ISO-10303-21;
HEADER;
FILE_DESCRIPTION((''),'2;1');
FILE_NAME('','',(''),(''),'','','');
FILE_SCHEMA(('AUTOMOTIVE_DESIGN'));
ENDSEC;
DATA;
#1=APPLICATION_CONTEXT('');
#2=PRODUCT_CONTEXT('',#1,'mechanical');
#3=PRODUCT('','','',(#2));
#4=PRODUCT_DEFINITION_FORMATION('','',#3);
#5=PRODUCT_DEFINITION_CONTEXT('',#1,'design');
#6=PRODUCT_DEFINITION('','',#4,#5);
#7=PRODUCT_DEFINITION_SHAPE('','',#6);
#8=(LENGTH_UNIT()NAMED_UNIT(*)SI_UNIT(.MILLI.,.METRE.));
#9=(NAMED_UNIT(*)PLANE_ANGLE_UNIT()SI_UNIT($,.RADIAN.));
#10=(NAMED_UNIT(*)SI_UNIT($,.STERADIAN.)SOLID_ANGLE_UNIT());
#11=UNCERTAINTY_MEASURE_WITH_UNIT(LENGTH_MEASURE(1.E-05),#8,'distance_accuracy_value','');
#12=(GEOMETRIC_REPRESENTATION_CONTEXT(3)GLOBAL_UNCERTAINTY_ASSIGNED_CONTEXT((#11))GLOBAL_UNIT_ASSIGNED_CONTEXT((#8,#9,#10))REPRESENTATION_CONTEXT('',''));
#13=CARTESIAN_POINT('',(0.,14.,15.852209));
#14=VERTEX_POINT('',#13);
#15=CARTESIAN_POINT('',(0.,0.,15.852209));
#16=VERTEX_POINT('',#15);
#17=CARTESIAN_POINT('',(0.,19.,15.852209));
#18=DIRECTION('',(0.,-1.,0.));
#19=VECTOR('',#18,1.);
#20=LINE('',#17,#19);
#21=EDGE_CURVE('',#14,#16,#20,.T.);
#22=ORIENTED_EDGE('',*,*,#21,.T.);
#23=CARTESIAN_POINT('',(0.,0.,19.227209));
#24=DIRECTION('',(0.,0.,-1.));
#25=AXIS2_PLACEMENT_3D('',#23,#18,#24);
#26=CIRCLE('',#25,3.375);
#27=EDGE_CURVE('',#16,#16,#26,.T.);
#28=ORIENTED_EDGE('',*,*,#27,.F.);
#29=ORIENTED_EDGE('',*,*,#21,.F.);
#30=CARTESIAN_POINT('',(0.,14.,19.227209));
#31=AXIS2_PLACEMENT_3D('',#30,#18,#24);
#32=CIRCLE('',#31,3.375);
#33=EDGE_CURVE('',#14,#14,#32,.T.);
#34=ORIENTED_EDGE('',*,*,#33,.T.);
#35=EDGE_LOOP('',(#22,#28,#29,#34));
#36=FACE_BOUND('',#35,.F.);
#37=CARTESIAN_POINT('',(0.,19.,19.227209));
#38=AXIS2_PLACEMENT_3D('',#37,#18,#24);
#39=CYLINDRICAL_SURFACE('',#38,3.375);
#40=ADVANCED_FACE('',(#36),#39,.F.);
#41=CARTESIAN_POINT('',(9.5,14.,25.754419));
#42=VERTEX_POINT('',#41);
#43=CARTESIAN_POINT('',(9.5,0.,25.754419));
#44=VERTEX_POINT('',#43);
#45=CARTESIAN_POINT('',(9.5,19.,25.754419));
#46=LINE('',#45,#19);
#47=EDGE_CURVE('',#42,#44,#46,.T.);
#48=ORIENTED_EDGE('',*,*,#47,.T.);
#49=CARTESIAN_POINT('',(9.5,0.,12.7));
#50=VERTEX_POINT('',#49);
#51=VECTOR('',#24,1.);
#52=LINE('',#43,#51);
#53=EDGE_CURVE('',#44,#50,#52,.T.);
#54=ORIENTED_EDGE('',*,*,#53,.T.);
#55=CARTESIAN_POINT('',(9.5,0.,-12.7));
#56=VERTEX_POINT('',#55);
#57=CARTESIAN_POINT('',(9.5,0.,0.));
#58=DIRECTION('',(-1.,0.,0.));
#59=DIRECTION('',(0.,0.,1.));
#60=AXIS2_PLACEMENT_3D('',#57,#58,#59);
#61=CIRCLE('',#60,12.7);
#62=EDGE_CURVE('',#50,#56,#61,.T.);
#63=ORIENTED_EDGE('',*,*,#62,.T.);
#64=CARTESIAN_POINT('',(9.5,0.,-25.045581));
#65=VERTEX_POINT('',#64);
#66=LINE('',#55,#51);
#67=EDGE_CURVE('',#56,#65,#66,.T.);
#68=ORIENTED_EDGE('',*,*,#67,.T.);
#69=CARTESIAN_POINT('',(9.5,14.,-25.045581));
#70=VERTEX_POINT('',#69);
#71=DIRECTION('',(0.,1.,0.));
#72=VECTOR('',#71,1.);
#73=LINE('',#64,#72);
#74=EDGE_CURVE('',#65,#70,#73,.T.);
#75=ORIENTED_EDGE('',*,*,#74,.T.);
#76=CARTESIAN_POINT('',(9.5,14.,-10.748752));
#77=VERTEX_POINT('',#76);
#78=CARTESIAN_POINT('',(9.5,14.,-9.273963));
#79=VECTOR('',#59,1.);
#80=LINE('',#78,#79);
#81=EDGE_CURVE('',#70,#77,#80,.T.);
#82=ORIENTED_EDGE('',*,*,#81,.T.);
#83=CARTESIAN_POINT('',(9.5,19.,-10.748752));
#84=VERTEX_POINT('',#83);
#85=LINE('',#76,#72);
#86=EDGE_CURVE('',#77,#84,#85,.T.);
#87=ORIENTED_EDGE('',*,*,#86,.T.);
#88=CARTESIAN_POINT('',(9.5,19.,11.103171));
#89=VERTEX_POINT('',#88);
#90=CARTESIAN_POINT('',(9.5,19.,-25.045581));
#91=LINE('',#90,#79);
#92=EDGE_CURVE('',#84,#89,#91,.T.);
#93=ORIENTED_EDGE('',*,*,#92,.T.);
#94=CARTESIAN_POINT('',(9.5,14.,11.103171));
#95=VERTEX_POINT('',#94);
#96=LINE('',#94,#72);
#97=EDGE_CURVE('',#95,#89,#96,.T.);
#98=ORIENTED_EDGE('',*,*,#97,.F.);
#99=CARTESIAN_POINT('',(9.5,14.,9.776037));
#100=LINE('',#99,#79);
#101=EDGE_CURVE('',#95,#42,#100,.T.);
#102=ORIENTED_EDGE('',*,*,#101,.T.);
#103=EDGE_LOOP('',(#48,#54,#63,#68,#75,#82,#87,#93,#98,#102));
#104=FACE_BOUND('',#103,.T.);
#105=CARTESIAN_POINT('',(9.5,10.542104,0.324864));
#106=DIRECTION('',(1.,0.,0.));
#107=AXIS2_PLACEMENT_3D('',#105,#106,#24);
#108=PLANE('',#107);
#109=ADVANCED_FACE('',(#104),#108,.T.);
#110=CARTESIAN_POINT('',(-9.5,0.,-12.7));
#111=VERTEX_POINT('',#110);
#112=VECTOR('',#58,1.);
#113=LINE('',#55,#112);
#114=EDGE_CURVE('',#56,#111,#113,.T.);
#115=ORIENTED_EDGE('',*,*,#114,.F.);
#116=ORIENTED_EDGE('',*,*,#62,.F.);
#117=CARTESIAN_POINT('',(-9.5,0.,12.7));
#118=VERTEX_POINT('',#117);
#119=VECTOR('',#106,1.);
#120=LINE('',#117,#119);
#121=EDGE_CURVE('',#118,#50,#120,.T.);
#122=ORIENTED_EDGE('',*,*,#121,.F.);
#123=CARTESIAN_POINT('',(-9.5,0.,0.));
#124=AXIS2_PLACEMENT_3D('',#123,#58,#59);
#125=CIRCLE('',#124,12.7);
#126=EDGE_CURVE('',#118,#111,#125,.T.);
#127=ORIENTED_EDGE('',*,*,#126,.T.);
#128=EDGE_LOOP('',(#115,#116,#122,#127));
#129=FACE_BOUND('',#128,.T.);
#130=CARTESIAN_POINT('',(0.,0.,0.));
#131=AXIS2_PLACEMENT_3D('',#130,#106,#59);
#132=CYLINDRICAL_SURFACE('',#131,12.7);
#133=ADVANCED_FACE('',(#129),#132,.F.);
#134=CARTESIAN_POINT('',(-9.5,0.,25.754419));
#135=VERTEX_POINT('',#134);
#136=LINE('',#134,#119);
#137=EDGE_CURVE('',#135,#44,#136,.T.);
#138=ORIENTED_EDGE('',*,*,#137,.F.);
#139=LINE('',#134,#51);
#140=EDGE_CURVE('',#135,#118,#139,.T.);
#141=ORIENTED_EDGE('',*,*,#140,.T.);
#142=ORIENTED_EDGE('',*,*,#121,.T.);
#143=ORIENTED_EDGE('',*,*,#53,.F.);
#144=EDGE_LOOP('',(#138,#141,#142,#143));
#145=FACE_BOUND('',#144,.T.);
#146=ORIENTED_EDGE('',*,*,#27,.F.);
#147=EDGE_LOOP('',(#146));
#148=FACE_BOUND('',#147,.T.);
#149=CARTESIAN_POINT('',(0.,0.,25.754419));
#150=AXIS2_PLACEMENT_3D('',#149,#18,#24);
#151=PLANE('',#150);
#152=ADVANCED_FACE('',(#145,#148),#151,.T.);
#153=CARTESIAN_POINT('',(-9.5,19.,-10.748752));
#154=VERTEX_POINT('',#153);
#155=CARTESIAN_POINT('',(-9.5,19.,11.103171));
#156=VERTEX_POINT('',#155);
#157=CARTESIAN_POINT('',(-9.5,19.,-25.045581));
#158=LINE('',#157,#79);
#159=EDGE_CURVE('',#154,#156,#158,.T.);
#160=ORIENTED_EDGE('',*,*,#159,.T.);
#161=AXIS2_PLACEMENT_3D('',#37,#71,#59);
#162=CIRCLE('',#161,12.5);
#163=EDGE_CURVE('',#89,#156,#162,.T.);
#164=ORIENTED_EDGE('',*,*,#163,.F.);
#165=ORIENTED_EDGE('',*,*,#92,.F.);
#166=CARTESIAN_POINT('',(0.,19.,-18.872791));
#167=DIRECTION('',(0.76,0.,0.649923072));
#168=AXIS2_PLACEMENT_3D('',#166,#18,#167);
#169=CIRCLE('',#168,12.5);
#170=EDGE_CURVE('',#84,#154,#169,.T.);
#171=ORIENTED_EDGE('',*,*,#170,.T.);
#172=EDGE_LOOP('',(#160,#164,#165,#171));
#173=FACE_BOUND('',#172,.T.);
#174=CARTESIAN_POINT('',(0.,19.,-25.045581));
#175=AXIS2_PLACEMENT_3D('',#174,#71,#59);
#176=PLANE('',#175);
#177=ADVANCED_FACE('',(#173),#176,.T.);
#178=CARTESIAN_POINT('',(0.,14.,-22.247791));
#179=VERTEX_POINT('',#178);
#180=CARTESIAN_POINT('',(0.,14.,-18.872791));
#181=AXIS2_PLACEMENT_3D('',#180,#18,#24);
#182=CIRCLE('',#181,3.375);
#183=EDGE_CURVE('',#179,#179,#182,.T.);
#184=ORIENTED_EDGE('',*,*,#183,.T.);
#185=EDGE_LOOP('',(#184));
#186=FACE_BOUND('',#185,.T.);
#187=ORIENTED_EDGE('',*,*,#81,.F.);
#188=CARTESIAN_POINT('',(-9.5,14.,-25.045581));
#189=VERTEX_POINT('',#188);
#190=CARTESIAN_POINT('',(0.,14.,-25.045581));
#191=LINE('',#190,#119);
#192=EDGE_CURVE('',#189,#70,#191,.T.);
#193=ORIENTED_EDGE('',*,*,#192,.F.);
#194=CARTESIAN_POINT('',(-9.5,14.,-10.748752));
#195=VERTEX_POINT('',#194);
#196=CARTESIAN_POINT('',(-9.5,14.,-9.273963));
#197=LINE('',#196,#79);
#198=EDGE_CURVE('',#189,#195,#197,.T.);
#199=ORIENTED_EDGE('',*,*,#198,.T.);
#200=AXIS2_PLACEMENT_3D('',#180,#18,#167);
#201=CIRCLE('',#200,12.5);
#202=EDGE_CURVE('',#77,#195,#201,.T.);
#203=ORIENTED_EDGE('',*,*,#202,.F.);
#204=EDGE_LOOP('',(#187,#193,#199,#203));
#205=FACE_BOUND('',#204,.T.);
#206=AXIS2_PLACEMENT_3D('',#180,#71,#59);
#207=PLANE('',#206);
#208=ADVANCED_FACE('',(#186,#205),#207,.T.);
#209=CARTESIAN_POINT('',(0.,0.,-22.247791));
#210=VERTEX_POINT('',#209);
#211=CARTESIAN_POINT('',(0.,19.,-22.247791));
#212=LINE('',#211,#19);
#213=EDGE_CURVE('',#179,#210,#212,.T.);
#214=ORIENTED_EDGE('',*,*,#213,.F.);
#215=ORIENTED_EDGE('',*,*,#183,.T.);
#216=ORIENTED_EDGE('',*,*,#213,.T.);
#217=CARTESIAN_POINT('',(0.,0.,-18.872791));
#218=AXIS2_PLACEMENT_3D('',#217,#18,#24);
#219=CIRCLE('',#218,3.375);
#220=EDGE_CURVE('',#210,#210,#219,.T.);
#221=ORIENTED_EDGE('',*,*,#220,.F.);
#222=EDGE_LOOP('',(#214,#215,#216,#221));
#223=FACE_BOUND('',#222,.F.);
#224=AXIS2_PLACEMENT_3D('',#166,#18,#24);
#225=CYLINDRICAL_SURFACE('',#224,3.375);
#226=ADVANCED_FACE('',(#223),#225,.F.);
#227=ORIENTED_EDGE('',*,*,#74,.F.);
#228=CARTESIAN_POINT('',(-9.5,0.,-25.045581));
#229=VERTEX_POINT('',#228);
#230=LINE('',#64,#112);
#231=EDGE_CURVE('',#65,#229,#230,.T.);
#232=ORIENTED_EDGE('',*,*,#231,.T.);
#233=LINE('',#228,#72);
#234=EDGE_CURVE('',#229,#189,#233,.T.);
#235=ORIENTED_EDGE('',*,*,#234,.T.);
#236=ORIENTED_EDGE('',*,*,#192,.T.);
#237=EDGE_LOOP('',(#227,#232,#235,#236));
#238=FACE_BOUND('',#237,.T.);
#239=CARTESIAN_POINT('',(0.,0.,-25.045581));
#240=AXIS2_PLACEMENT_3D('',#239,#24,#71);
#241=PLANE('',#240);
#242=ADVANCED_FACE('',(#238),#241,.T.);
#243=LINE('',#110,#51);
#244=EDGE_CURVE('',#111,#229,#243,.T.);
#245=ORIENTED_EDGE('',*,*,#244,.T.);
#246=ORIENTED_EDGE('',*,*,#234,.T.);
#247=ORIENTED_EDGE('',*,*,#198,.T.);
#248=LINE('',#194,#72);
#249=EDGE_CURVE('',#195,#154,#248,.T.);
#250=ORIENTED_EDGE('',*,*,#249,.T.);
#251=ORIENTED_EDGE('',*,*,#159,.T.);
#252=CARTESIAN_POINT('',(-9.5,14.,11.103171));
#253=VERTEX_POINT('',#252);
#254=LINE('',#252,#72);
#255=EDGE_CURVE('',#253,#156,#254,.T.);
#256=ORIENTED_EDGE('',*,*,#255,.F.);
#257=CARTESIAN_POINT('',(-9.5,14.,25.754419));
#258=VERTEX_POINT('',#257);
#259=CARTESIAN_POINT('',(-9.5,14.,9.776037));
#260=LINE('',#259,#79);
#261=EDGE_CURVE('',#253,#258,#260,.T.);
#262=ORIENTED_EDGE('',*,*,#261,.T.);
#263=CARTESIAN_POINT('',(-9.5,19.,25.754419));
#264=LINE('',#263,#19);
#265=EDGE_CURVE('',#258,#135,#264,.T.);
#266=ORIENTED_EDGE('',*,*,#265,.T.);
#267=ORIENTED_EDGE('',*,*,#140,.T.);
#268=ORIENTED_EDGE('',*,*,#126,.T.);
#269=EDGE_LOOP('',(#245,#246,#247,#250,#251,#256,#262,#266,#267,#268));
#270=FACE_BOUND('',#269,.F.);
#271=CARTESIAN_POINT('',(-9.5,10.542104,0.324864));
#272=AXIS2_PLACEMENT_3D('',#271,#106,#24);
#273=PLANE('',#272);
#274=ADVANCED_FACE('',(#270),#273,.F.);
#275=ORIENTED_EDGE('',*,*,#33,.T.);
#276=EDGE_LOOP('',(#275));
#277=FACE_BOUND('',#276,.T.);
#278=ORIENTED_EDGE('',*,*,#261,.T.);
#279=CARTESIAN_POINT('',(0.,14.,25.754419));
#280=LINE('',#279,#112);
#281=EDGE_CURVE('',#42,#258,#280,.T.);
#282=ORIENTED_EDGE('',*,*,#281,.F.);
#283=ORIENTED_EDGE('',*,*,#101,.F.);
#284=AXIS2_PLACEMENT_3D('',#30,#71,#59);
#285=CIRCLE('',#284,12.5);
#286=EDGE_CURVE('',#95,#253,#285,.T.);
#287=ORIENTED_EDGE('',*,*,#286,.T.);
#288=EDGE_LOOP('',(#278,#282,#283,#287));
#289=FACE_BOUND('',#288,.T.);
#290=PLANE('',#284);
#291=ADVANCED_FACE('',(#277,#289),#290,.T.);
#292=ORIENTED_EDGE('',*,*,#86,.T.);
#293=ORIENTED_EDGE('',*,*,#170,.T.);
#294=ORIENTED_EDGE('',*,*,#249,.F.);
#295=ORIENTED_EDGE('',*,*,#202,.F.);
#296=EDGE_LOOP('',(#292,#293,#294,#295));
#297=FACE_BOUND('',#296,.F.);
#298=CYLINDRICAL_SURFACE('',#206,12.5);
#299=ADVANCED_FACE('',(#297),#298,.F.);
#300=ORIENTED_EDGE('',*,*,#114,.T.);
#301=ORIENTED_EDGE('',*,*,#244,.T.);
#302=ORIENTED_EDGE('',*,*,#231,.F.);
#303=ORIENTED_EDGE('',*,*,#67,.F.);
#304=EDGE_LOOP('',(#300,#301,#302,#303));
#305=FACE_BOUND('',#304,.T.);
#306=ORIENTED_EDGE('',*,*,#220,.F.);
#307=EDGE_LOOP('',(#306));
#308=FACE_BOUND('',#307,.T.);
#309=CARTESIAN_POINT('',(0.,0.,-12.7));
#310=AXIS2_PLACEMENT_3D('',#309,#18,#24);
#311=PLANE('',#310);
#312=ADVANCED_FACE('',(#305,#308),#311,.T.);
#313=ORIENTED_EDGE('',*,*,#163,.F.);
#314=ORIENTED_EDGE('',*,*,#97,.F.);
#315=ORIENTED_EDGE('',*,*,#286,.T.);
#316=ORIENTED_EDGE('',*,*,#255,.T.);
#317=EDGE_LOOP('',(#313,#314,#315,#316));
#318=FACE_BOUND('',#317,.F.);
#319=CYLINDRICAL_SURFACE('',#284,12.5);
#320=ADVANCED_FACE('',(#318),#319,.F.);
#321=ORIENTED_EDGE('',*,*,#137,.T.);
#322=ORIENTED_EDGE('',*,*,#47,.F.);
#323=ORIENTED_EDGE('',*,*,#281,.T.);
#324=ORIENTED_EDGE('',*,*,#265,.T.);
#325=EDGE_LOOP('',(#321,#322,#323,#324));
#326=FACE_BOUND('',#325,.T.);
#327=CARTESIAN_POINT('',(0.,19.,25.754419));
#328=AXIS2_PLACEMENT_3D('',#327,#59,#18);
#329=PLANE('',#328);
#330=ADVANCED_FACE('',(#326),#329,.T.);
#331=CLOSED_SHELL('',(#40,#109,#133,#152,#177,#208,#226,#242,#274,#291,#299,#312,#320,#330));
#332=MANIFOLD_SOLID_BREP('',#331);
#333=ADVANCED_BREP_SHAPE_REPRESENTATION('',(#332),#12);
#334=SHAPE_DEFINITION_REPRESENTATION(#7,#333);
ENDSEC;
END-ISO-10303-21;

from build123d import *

# Parameters (mm, degrees)
BOSS_EXTRU_1_DEPTH                                 = 9.5
CHAMBRAGE_POUR_VIS_T_TE_HEXAGONALE_M12_D           = 6.75
CHAMBRAGE_POUR_VIS_T_TE_HEXAGONALE_M12_CBORE_D     = 25
CHAMBRAGE_POUR_VIS_T_TE_HEXAGONALE_M12_CBORE_DEPTH = 5


with BuildPart() as part:
    # Esquisse1 → Boss.-Extru.1 (new body, symmetric)
    with BuildSketch(Plane(origin=(0, 0, 0), x_dir=(0, 0, -1), z_dir=(1, 0, 0))):
        with BuildLine():
            Line((25.045581395, 19), (-25.754418605, 19))
            Line((-25.754418605, 19), (-25.754418605, 0))
            Line((-25.754418605, 0), (-12.7, 0))
            ThreePointArc((-12.7, 0), (0, 12.7), (12.7, 0))
            Line((12.7, 0), (25.045581395, 0))
            Line((25.045581395, 0), (25.045581395, 19))
        make_face()
    extrude(amount=BOSS_EXTRU_1_DEPTH, both=True)

    # Chambrage pour vis à tête hexagonale M123 (through all)
    with Locations(Plane(origin=(0, 19, 19.227209302), x_dir=(0, 0, 1), z_dir=(0, 1, 0))):
        with Locations((0, 0), (-38.1, 0)):
            CounterBoreHole(CHAMBRAGE_POUR_VIS_T_TE_HEXAGONALE_M12_D / 2, CHAMBRAGE_POUR_VIS_T_TE_HEXAGONALE_M12_CBORE_D / 2, CHAMBRAGE_POUR_VIS_T_TE_HEXAGONALE_M12_CBORE_DEPTH)


solid = part.part
